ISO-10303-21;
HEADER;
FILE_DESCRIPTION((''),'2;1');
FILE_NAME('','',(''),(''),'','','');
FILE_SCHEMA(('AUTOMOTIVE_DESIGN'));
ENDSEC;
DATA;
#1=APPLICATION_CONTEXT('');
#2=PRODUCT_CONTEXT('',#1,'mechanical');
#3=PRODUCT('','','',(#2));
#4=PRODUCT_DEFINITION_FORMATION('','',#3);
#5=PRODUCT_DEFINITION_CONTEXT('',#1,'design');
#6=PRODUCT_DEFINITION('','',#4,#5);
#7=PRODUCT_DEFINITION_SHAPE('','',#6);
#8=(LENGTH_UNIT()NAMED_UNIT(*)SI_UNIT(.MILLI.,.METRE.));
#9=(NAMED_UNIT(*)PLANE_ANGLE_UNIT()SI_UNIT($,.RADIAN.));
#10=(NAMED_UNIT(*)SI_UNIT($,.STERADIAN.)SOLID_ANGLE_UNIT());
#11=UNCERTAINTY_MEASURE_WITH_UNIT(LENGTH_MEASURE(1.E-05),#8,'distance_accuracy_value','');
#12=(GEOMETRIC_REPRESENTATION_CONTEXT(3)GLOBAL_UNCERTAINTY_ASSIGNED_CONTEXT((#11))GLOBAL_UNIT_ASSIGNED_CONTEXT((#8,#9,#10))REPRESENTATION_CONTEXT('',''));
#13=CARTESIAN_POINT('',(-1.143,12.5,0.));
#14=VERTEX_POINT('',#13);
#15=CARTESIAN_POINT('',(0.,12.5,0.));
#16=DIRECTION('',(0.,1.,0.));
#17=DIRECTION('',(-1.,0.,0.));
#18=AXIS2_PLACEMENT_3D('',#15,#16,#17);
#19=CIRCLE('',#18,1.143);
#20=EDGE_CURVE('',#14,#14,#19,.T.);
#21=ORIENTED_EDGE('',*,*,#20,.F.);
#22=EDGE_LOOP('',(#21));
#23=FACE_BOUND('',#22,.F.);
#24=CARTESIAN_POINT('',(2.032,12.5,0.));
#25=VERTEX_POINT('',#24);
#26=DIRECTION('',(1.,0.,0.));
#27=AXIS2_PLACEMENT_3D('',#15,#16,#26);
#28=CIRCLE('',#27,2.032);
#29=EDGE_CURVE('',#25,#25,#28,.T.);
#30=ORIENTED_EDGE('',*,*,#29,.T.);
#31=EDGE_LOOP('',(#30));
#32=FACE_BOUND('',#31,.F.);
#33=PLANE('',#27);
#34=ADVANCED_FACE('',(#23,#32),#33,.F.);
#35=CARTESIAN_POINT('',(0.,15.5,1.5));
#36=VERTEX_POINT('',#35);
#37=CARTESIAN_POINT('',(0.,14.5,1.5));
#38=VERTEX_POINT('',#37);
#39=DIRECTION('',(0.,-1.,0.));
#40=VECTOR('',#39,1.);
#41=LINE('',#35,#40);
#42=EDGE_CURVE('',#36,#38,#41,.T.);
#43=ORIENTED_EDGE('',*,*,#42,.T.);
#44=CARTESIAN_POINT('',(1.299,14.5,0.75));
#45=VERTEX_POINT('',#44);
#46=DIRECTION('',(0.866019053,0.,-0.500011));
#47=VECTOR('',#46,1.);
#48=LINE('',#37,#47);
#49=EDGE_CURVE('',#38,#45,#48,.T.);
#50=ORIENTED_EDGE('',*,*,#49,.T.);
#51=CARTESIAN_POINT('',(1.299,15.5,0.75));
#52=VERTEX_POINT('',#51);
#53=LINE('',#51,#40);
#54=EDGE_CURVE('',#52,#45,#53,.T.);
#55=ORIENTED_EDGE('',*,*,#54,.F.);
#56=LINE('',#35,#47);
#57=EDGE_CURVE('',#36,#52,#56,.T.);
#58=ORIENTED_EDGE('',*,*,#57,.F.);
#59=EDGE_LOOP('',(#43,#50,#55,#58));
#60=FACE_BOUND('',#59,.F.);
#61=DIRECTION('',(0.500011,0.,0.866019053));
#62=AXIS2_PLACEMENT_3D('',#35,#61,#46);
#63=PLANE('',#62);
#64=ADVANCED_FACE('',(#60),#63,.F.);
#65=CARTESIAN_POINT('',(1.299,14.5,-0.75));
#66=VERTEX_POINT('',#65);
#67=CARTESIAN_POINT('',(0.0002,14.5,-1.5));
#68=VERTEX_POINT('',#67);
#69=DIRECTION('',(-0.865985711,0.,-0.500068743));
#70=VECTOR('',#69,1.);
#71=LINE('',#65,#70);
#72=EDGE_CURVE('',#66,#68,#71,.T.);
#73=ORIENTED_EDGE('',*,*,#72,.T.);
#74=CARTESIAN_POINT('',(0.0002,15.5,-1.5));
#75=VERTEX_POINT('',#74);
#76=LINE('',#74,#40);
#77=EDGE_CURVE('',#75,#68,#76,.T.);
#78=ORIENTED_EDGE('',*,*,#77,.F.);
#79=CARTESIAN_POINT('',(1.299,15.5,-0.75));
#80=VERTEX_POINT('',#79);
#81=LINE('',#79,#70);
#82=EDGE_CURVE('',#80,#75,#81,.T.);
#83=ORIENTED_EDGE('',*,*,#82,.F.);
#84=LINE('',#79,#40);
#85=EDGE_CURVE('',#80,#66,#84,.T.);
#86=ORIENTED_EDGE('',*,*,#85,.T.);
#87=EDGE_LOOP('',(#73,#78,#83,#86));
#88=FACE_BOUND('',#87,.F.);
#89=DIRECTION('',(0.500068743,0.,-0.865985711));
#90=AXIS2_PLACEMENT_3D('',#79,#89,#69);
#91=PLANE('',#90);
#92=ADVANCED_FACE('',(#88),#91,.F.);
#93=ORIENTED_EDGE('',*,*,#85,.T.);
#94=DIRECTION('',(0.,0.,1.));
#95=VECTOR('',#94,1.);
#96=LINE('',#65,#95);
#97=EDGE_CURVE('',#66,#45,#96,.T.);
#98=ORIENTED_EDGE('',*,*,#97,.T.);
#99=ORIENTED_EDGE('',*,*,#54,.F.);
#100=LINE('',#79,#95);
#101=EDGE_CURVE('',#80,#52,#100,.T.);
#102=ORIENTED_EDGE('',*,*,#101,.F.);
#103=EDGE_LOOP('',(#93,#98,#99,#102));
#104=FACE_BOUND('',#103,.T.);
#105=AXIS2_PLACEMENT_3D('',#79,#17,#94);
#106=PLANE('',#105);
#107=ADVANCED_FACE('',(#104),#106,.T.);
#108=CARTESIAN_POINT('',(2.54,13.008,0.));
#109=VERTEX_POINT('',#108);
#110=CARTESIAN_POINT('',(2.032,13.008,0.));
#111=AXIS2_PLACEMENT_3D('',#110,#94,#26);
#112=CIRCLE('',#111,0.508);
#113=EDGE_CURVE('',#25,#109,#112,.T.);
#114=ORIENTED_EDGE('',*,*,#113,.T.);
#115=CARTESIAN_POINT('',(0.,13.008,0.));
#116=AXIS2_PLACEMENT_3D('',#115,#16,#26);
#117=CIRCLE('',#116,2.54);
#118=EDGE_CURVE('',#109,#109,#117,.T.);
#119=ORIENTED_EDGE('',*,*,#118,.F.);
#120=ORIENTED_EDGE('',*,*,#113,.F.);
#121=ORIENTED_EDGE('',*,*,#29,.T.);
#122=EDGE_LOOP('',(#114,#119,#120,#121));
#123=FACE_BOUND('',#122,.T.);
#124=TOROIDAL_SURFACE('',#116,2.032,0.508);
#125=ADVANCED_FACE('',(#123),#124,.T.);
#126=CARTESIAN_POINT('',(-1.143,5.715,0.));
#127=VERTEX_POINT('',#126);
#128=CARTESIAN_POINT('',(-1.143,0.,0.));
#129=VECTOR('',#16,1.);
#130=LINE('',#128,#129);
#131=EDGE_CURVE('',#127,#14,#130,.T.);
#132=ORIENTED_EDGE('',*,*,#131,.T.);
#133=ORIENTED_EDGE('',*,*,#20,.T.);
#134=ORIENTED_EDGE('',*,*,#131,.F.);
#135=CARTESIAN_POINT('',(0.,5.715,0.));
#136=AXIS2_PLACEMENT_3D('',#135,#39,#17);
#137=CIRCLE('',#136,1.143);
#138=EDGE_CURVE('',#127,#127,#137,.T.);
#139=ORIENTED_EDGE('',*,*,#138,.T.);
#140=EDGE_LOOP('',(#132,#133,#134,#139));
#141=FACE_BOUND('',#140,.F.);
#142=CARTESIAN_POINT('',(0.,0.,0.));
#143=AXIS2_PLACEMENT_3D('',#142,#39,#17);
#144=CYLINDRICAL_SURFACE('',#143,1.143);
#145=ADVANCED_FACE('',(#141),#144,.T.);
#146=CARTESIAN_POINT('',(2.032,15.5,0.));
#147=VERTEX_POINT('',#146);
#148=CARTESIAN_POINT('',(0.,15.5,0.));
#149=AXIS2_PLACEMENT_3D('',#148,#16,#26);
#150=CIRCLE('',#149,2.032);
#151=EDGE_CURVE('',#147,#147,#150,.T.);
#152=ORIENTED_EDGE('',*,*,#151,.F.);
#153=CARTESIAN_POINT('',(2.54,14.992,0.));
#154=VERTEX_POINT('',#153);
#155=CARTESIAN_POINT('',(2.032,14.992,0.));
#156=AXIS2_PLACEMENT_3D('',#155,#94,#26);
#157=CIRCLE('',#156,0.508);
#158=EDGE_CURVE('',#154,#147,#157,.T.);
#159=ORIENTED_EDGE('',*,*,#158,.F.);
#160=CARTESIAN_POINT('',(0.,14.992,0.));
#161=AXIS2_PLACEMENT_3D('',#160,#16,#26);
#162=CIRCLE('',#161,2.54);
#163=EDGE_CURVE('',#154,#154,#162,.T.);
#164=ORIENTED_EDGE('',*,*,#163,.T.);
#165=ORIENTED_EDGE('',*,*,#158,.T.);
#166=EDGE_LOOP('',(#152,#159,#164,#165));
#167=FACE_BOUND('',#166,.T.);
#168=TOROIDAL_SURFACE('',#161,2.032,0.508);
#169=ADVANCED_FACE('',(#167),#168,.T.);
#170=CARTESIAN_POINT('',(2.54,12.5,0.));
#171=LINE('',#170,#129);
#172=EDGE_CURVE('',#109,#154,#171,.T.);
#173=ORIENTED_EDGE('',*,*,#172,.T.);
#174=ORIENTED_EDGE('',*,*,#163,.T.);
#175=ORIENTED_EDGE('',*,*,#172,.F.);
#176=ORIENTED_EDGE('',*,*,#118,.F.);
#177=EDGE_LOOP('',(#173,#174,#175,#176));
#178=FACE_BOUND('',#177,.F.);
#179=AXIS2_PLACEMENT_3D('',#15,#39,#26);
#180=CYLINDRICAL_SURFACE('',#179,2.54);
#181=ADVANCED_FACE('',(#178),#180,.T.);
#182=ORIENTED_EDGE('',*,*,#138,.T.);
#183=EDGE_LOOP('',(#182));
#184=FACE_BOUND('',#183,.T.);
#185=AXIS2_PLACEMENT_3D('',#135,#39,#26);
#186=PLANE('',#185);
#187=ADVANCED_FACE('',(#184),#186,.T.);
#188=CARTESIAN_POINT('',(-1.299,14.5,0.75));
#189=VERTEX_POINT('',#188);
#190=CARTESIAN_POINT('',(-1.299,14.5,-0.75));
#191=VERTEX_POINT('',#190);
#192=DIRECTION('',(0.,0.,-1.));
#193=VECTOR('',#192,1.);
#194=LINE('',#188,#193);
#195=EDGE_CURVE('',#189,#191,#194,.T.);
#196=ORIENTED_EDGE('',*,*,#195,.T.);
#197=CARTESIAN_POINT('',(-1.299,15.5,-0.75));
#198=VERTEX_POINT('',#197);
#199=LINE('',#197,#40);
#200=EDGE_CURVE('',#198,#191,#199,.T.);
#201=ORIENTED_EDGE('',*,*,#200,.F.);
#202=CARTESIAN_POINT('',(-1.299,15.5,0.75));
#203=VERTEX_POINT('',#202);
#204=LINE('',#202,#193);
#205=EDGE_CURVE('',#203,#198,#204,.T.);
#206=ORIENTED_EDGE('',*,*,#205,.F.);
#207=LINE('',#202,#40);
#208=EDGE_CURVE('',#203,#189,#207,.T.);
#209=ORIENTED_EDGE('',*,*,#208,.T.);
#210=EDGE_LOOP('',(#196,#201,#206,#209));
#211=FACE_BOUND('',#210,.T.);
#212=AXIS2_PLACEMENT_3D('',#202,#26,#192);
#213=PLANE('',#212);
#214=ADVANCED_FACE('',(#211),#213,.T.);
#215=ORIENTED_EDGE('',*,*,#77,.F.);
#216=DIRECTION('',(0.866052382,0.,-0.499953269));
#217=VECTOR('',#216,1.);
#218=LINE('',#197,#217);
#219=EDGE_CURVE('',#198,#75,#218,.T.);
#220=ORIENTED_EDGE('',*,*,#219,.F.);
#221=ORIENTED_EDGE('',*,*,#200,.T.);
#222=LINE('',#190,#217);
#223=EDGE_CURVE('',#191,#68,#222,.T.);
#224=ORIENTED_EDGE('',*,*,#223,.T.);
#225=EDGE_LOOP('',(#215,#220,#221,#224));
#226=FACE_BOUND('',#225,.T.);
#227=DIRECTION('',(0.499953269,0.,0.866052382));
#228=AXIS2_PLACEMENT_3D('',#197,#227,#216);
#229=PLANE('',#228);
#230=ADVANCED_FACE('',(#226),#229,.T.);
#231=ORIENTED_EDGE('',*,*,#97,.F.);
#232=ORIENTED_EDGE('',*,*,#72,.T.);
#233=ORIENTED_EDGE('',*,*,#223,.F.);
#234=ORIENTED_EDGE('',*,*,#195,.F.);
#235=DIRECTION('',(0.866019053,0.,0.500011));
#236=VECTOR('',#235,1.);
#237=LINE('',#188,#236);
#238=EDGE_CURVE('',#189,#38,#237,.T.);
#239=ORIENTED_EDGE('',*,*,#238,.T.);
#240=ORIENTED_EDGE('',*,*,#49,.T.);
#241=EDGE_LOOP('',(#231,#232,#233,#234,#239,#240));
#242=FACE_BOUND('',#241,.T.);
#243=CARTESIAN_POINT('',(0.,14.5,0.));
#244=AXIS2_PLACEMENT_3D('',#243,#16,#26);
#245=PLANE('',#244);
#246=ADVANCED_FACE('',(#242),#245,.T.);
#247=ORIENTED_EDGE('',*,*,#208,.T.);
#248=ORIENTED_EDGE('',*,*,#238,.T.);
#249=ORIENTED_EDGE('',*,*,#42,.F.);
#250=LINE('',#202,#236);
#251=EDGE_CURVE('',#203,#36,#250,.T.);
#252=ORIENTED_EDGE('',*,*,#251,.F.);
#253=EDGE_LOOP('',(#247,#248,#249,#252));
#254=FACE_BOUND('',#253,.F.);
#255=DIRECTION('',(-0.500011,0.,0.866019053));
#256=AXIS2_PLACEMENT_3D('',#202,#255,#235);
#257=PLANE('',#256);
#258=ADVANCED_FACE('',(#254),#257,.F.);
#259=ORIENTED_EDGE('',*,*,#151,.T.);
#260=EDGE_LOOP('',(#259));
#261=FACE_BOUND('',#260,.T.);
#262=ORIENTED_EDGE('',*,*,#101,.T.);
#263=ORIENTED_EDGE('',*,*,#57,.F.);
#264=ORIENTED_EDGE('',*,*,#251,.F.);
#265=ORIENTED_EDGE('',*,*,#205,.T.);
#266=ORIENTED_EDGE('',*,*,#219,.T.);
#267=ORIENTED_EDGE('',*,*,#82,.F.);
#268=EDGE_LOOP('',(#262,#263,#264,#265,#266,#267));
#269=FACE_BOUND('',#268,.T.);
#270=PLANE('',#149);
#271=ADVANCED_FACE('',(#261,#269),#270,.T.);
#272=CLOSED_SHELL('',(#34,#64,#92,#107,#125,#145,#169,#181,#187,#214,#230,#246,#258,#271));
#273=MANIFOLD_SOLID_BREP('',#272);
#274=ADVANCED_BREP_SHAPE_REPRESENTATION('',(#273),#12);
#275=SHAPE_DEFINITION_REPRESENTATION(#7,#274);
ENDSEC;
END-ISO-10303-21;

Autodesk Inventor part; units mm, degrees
ref_plane "YZ Plane" through (0, 0, 0) normal (1, 0, 0) x (0, 1, 0)
ref_plane "XZ Plane" through (0, 0, 0) normal (0, 1, 0) x (-1, 0, 0)
ref_plane "XY Plane" through (0, 0, 0) normal (0, 0, 1) x (1, 0, 0)
sketch "Sketch1" plane through (0, 0, 0) normal (0, 1, 0) x (-1, 0, 0)
  circle A0 centre (0, 0) radius 1.143
  dimension "d24" = 2.286
extrude "Extrusion1" add sketch "Sketch1" along normal blind 12.5
sketch "Sketch2" plane through (0, 12.5, 0) normal (0, 1, 0) x (1, 0, 0)
  circle A0 centre (0, 0) radius 1.5 projected
  circle A1 centre (0, 0) radius 2.54
  dimension "d3" = 5.08
extrude "Extrusion2" add sketch "Sketch2" along normal blind 3 contours A0 | A1
fillet "Fillet1" radius 0.508 2 edges at (-2.54, 15.5, 0) (-2.54, 12.5, 0)
sketch "Sketch3" plane through (0, 15.5, 0) normal (0, 1, 0) x (1, 0, 0)
  line L0 (0, 0) -> (1.5, 0) construction
  line L1 (-1.299, -0.75) -> (-1.299, 0.75)
  line L2 (-1.299, 0.75) -> (0.0002, 1.5)
  line L3 (1.299, 0.75) -> (0.0002, 1.5)
  line L4 (1.299, 0.75) -> (1.299, -0.75)
  line L5 (0, -1.5) -> (1.299, -0.75)
  line L6 (-1.299, -0.75) -> (0, -1.5)
extrude "Extrusion4" cut sketch "Sketch3" against normal blind 1
sketch "Sketch4" plane through (0, 0, 0) normal (0, 0, 1) x (1, 0, 0)
  point P0 (0, 0)
sketch "Sketch5" plane through (0, 0, 0) normal (0, -1, 0) x (1, 0, 0)
  circle A0 centre (0, 0) radius 3.3551
extrude "Extrusion5" cut sketch "Sketch5" against normal blind 5.715
thread "Thread3" size "3-48 UNC" class "2A" standard "ANSI Unified Screw Threads" full length
properties part number "screw"
